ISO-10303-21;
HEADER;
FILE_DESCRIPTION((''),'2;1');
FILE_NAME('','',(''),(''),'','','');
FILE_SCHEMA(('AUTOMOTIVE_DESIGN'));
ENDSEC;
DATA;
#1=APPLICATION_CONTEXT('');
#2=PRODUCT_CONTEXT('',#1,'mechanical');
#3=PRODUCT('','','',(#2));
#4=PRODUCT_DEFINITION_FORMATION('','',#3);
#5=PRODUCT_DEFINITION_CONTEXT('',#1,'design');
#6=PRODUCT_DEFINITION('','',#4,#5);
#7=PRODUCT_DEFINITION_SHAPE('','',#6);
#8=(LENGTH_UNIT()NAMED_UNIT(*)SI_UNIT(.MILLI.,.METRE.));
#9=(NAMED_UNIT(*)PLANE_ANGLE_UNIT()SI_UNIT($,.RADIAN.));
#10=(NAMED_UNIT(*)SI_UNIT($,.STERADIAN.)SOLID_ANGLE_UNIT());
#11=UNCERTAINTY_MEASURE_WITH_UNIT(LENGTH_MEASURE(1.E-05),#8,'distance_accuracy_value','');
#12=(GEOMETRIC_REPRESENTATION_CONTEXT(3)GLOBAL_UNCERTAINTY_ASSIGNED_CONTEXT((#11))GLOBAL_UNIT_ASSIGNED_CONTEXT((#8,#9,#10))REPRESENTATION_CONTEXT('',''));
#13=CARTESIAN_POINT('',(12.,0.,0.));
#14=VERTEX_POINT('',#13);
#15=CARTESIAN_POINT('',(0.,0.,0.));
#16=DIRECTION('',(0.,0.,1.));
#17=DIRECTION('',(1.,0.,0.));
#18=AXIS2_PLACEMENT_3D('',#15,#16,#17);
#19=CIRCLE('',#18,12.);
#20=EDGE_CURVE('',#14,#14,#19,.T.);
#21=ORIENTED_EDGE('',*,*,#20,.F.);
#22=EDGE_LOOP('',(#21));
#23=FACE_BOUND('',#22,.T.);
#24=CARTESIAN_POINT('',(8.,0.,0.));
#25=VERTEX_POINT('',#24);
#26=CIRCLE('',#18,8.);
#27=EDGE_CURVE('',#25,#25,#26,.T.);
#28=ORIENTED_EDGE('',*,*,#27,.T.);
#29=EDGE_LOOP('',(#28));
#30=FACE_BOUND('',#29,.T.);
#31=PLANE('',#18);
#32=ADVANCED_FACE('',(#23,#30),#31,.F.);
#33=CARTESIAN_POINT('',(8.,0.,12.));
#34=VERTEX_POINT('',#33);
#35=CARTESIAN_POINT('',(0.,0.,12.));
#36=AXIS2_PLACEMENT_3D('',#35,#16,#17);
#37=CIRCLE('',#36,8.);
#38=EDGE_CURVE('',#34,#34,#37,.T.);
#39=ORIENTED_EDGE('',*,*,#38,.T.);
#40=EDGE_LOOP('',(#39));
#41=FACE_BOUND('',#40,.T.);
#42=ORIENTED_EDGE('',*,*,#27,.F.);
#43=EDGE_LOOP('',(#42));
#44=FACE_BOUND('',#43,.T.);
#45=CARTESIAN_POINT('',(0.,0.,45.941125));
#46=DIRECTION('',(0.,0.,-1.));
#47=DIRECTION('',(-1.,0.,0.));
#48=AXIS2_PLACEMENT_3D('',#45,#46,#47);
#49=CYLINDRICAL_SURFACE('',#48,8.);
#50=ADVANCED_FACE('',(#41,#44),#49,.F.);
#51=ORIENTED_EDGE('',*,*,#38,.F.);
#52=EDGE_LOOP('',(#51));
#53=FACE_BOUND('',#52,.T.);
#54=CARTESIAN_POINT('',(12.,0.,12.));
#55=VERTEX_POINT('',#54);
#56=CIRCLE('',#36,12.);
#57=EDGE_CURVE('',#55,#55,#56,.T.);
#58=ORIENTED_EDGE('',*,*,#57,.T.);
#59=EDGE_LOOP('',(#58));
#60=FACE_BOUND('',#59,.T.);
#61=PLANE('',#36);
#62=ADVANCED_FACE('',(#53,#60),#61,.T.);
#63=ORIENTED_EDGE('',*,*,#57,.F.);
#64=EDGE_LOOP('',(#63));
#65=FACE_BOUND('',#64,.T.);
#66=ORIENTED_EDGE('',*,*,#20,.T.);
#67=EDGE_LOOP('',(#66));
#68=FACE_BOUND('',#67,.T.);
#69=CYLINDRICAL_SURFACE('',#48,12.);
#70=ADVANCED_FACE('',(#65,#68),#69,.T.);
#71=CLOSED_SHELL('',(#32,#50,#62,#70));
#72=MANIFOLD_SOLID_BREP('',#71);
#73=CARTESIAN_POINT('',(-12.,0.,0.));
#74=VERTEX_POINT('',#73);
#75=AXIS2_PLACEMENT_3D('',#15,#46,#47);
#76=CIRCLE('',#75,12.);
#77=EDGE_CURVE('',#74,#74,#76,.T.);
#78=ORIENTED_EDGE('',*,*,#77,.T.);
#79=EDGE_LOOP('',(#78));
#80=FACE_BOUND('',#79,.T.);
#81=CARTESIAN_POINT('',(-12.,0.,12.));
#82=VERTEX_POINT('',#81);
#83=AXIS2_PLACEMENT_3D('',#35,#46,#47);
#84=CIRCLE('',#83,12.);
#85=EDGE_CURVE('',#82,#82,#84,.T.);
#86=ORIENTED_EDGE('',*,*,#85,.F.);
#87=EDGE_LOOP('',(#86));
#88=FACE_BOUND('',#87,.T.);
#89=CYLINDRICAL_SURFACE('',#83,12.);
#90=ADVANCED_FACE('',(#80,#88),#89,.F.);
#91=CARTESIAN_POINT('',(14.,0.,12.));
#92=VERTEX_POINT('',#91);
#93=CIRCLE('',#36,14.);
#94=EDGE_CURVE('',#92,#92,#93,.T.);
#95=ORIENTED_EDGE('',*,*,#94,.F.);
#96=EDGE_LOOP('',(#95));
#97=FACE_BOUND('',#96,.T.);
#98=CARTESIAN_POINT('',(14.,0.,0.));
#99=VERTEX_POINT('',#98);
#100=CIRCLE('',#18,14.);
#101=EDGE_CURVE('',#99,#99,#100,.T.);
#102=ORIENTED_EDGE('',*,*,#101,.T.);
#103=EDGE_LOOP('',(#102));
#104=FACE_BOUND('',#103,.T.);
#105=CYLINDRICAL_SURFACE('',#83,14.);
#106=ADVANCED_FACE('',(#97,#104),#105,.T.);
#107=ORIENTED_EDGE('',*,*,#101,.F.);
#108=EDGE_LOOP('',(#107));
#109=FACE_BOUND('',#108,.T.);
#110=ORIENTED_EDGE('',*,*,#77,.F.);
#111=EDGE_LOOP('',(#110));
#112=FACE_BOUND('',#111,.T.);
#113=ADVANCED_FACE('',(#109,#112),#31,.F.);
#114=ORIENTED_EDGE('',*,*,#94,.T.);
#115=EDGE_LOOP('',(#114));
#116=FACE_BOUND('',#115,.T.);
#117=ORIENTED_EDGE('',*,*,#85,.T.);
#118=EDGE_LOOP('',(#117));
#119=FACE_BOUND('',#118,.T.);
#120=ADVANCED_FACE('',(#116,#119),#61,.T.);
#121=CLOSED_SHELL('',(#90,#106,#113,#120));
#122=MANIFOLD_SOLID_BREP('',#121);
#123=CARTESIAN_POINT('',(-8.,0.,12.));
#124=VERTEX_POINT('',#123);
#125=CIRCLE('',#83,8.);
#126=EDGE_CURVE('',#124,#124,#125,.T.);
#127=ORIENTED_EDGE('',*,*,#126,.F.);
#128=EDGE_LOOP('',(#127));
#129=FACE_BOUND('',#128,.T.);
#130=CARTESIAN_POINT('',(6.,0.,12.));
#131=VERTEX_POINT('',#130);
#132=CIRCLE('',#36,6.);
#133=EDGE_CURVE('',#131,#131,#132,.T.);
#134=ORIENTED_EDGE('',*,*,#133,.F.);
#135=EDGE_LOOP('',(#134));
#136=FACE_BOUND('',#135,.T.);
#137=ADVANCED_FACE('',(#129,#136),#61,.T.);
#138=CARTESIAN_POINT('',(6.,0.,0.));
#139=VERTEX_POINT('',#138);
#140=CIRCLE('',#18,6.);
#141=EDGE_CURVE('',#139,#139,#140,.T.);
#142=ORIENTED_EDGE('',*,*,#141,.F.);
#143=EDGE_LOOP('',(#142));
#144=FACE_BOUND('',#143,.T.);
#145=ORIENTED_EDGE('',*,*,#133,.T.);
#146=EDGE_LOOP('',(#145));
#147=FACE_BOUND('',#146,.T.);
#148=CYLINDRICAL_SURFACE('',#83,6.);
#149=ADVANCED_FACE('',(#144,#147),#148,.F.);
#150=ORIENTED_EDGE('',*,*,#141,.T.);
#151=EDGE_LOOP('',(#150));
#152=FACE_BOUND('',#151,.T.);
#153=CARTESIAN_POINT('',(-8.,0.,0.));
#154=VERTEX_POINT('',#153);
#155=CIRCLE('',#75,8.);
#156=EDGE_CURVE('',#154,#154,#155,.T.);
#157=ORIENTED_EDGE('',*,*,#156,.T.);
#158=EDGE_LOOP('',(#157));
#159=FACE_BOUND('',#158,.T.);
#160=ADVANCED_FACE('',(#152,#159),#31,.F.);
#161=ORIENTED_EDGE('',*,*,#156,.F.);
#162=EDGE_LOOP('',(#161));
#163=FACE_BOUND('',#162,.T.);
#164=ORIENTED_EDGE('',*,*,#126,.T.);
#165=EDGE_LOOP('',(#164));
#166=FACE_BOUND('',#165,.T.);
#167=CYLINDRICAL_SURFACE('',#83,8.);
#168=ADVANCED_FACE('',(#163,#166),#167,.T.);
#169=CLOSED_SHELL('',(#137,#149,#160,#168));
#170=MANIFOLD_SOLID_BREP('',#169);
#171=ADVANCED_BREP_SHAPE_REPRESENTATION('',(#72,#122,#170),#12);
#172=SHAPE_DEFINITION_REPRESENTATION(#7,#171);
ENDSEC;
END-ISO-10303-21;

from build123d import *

# Parameters (mm, degrees)
SKIZZE1_R                       = 14
SKIZZE1_R_2                     = 6
AUFSATZ_LINEAR_AUSTRAGEN1_DEPTH = 12
SKIZZE2_R                       = 12
SKIZZE2_R_2                     = 8
SCHNITT_LINEAR_AUSTRAGEN2_DEPTH = 24.151673806
SKIZZE3_R                       = 12
SKIZZE3_R_2                     = 8
AUFSATZ_LINEAR_AUSTRAGEN3_DEPTH = 12


with BuildPart() as part:
    # Skizze1 → Aufsatz-Linear austragen1 (new body)
    with BuildSketch(Plane.XY):
        Circle(SKIZZE1_R)
        Circle(SKIZZE1_R_2, mode=Mode.SUBTRACT)
    extrude(amount=AUFSATZ_LINEAR_AUSTRAGEN1_DEPTH)

    # Skizze2 → Schnitt-Linear austragen2 (cut, through all)
    with BuildSketch(Plane(origin=(0, 0, 0), x_dir=(-1, 0, 0), z_dir=(0, 0, -1))):
        Circle(SKIZZE2_R)
        Circle(SKIZZE2_R_2, mode=Mode.SUBTRACT)
    extrude(amount=-SCHNITT_LINEAR_AUSTRAGEN2_DEPTH, mode=Mode.SUBTRACT)


with BuildPart() as schnitt_linear_austragen2_piece_1:
    # of the separate pieces the step leaves, piece 1, a body of its own (schnitt_linear_austragen2_pieces)
    add(part.part.solids().sort_by_distance((14, 0, 0))[0])


with BuildPart() as schnitt_linear_austragen2_piece_2:
    # of the separate pieces the step leaves, piece 2, a body of its own (schnitt_linear_austragen2_pieces)
    add(part.part.solids().sort_by_distance((-8, 0, 0))[0])


with BuildPart() as body_3:
    # Skizze3 → Aufsatz-Linear austragen3 (new body)
    with BuildSketch(Plane.XY):
        Circle(SKIZZE3_R)
        Circle(SKIZZE3_R_2, mode=Mode.SUBTRACT)
    extrude(amount=AUFSATZ_LINEAR_AUSTRAGEN3_DEPTH)


solid = Compound([schnitt_linear_austragen2_piece_1.part, schnitt_linear_austragen2_piece_2.part, body_3.part])
